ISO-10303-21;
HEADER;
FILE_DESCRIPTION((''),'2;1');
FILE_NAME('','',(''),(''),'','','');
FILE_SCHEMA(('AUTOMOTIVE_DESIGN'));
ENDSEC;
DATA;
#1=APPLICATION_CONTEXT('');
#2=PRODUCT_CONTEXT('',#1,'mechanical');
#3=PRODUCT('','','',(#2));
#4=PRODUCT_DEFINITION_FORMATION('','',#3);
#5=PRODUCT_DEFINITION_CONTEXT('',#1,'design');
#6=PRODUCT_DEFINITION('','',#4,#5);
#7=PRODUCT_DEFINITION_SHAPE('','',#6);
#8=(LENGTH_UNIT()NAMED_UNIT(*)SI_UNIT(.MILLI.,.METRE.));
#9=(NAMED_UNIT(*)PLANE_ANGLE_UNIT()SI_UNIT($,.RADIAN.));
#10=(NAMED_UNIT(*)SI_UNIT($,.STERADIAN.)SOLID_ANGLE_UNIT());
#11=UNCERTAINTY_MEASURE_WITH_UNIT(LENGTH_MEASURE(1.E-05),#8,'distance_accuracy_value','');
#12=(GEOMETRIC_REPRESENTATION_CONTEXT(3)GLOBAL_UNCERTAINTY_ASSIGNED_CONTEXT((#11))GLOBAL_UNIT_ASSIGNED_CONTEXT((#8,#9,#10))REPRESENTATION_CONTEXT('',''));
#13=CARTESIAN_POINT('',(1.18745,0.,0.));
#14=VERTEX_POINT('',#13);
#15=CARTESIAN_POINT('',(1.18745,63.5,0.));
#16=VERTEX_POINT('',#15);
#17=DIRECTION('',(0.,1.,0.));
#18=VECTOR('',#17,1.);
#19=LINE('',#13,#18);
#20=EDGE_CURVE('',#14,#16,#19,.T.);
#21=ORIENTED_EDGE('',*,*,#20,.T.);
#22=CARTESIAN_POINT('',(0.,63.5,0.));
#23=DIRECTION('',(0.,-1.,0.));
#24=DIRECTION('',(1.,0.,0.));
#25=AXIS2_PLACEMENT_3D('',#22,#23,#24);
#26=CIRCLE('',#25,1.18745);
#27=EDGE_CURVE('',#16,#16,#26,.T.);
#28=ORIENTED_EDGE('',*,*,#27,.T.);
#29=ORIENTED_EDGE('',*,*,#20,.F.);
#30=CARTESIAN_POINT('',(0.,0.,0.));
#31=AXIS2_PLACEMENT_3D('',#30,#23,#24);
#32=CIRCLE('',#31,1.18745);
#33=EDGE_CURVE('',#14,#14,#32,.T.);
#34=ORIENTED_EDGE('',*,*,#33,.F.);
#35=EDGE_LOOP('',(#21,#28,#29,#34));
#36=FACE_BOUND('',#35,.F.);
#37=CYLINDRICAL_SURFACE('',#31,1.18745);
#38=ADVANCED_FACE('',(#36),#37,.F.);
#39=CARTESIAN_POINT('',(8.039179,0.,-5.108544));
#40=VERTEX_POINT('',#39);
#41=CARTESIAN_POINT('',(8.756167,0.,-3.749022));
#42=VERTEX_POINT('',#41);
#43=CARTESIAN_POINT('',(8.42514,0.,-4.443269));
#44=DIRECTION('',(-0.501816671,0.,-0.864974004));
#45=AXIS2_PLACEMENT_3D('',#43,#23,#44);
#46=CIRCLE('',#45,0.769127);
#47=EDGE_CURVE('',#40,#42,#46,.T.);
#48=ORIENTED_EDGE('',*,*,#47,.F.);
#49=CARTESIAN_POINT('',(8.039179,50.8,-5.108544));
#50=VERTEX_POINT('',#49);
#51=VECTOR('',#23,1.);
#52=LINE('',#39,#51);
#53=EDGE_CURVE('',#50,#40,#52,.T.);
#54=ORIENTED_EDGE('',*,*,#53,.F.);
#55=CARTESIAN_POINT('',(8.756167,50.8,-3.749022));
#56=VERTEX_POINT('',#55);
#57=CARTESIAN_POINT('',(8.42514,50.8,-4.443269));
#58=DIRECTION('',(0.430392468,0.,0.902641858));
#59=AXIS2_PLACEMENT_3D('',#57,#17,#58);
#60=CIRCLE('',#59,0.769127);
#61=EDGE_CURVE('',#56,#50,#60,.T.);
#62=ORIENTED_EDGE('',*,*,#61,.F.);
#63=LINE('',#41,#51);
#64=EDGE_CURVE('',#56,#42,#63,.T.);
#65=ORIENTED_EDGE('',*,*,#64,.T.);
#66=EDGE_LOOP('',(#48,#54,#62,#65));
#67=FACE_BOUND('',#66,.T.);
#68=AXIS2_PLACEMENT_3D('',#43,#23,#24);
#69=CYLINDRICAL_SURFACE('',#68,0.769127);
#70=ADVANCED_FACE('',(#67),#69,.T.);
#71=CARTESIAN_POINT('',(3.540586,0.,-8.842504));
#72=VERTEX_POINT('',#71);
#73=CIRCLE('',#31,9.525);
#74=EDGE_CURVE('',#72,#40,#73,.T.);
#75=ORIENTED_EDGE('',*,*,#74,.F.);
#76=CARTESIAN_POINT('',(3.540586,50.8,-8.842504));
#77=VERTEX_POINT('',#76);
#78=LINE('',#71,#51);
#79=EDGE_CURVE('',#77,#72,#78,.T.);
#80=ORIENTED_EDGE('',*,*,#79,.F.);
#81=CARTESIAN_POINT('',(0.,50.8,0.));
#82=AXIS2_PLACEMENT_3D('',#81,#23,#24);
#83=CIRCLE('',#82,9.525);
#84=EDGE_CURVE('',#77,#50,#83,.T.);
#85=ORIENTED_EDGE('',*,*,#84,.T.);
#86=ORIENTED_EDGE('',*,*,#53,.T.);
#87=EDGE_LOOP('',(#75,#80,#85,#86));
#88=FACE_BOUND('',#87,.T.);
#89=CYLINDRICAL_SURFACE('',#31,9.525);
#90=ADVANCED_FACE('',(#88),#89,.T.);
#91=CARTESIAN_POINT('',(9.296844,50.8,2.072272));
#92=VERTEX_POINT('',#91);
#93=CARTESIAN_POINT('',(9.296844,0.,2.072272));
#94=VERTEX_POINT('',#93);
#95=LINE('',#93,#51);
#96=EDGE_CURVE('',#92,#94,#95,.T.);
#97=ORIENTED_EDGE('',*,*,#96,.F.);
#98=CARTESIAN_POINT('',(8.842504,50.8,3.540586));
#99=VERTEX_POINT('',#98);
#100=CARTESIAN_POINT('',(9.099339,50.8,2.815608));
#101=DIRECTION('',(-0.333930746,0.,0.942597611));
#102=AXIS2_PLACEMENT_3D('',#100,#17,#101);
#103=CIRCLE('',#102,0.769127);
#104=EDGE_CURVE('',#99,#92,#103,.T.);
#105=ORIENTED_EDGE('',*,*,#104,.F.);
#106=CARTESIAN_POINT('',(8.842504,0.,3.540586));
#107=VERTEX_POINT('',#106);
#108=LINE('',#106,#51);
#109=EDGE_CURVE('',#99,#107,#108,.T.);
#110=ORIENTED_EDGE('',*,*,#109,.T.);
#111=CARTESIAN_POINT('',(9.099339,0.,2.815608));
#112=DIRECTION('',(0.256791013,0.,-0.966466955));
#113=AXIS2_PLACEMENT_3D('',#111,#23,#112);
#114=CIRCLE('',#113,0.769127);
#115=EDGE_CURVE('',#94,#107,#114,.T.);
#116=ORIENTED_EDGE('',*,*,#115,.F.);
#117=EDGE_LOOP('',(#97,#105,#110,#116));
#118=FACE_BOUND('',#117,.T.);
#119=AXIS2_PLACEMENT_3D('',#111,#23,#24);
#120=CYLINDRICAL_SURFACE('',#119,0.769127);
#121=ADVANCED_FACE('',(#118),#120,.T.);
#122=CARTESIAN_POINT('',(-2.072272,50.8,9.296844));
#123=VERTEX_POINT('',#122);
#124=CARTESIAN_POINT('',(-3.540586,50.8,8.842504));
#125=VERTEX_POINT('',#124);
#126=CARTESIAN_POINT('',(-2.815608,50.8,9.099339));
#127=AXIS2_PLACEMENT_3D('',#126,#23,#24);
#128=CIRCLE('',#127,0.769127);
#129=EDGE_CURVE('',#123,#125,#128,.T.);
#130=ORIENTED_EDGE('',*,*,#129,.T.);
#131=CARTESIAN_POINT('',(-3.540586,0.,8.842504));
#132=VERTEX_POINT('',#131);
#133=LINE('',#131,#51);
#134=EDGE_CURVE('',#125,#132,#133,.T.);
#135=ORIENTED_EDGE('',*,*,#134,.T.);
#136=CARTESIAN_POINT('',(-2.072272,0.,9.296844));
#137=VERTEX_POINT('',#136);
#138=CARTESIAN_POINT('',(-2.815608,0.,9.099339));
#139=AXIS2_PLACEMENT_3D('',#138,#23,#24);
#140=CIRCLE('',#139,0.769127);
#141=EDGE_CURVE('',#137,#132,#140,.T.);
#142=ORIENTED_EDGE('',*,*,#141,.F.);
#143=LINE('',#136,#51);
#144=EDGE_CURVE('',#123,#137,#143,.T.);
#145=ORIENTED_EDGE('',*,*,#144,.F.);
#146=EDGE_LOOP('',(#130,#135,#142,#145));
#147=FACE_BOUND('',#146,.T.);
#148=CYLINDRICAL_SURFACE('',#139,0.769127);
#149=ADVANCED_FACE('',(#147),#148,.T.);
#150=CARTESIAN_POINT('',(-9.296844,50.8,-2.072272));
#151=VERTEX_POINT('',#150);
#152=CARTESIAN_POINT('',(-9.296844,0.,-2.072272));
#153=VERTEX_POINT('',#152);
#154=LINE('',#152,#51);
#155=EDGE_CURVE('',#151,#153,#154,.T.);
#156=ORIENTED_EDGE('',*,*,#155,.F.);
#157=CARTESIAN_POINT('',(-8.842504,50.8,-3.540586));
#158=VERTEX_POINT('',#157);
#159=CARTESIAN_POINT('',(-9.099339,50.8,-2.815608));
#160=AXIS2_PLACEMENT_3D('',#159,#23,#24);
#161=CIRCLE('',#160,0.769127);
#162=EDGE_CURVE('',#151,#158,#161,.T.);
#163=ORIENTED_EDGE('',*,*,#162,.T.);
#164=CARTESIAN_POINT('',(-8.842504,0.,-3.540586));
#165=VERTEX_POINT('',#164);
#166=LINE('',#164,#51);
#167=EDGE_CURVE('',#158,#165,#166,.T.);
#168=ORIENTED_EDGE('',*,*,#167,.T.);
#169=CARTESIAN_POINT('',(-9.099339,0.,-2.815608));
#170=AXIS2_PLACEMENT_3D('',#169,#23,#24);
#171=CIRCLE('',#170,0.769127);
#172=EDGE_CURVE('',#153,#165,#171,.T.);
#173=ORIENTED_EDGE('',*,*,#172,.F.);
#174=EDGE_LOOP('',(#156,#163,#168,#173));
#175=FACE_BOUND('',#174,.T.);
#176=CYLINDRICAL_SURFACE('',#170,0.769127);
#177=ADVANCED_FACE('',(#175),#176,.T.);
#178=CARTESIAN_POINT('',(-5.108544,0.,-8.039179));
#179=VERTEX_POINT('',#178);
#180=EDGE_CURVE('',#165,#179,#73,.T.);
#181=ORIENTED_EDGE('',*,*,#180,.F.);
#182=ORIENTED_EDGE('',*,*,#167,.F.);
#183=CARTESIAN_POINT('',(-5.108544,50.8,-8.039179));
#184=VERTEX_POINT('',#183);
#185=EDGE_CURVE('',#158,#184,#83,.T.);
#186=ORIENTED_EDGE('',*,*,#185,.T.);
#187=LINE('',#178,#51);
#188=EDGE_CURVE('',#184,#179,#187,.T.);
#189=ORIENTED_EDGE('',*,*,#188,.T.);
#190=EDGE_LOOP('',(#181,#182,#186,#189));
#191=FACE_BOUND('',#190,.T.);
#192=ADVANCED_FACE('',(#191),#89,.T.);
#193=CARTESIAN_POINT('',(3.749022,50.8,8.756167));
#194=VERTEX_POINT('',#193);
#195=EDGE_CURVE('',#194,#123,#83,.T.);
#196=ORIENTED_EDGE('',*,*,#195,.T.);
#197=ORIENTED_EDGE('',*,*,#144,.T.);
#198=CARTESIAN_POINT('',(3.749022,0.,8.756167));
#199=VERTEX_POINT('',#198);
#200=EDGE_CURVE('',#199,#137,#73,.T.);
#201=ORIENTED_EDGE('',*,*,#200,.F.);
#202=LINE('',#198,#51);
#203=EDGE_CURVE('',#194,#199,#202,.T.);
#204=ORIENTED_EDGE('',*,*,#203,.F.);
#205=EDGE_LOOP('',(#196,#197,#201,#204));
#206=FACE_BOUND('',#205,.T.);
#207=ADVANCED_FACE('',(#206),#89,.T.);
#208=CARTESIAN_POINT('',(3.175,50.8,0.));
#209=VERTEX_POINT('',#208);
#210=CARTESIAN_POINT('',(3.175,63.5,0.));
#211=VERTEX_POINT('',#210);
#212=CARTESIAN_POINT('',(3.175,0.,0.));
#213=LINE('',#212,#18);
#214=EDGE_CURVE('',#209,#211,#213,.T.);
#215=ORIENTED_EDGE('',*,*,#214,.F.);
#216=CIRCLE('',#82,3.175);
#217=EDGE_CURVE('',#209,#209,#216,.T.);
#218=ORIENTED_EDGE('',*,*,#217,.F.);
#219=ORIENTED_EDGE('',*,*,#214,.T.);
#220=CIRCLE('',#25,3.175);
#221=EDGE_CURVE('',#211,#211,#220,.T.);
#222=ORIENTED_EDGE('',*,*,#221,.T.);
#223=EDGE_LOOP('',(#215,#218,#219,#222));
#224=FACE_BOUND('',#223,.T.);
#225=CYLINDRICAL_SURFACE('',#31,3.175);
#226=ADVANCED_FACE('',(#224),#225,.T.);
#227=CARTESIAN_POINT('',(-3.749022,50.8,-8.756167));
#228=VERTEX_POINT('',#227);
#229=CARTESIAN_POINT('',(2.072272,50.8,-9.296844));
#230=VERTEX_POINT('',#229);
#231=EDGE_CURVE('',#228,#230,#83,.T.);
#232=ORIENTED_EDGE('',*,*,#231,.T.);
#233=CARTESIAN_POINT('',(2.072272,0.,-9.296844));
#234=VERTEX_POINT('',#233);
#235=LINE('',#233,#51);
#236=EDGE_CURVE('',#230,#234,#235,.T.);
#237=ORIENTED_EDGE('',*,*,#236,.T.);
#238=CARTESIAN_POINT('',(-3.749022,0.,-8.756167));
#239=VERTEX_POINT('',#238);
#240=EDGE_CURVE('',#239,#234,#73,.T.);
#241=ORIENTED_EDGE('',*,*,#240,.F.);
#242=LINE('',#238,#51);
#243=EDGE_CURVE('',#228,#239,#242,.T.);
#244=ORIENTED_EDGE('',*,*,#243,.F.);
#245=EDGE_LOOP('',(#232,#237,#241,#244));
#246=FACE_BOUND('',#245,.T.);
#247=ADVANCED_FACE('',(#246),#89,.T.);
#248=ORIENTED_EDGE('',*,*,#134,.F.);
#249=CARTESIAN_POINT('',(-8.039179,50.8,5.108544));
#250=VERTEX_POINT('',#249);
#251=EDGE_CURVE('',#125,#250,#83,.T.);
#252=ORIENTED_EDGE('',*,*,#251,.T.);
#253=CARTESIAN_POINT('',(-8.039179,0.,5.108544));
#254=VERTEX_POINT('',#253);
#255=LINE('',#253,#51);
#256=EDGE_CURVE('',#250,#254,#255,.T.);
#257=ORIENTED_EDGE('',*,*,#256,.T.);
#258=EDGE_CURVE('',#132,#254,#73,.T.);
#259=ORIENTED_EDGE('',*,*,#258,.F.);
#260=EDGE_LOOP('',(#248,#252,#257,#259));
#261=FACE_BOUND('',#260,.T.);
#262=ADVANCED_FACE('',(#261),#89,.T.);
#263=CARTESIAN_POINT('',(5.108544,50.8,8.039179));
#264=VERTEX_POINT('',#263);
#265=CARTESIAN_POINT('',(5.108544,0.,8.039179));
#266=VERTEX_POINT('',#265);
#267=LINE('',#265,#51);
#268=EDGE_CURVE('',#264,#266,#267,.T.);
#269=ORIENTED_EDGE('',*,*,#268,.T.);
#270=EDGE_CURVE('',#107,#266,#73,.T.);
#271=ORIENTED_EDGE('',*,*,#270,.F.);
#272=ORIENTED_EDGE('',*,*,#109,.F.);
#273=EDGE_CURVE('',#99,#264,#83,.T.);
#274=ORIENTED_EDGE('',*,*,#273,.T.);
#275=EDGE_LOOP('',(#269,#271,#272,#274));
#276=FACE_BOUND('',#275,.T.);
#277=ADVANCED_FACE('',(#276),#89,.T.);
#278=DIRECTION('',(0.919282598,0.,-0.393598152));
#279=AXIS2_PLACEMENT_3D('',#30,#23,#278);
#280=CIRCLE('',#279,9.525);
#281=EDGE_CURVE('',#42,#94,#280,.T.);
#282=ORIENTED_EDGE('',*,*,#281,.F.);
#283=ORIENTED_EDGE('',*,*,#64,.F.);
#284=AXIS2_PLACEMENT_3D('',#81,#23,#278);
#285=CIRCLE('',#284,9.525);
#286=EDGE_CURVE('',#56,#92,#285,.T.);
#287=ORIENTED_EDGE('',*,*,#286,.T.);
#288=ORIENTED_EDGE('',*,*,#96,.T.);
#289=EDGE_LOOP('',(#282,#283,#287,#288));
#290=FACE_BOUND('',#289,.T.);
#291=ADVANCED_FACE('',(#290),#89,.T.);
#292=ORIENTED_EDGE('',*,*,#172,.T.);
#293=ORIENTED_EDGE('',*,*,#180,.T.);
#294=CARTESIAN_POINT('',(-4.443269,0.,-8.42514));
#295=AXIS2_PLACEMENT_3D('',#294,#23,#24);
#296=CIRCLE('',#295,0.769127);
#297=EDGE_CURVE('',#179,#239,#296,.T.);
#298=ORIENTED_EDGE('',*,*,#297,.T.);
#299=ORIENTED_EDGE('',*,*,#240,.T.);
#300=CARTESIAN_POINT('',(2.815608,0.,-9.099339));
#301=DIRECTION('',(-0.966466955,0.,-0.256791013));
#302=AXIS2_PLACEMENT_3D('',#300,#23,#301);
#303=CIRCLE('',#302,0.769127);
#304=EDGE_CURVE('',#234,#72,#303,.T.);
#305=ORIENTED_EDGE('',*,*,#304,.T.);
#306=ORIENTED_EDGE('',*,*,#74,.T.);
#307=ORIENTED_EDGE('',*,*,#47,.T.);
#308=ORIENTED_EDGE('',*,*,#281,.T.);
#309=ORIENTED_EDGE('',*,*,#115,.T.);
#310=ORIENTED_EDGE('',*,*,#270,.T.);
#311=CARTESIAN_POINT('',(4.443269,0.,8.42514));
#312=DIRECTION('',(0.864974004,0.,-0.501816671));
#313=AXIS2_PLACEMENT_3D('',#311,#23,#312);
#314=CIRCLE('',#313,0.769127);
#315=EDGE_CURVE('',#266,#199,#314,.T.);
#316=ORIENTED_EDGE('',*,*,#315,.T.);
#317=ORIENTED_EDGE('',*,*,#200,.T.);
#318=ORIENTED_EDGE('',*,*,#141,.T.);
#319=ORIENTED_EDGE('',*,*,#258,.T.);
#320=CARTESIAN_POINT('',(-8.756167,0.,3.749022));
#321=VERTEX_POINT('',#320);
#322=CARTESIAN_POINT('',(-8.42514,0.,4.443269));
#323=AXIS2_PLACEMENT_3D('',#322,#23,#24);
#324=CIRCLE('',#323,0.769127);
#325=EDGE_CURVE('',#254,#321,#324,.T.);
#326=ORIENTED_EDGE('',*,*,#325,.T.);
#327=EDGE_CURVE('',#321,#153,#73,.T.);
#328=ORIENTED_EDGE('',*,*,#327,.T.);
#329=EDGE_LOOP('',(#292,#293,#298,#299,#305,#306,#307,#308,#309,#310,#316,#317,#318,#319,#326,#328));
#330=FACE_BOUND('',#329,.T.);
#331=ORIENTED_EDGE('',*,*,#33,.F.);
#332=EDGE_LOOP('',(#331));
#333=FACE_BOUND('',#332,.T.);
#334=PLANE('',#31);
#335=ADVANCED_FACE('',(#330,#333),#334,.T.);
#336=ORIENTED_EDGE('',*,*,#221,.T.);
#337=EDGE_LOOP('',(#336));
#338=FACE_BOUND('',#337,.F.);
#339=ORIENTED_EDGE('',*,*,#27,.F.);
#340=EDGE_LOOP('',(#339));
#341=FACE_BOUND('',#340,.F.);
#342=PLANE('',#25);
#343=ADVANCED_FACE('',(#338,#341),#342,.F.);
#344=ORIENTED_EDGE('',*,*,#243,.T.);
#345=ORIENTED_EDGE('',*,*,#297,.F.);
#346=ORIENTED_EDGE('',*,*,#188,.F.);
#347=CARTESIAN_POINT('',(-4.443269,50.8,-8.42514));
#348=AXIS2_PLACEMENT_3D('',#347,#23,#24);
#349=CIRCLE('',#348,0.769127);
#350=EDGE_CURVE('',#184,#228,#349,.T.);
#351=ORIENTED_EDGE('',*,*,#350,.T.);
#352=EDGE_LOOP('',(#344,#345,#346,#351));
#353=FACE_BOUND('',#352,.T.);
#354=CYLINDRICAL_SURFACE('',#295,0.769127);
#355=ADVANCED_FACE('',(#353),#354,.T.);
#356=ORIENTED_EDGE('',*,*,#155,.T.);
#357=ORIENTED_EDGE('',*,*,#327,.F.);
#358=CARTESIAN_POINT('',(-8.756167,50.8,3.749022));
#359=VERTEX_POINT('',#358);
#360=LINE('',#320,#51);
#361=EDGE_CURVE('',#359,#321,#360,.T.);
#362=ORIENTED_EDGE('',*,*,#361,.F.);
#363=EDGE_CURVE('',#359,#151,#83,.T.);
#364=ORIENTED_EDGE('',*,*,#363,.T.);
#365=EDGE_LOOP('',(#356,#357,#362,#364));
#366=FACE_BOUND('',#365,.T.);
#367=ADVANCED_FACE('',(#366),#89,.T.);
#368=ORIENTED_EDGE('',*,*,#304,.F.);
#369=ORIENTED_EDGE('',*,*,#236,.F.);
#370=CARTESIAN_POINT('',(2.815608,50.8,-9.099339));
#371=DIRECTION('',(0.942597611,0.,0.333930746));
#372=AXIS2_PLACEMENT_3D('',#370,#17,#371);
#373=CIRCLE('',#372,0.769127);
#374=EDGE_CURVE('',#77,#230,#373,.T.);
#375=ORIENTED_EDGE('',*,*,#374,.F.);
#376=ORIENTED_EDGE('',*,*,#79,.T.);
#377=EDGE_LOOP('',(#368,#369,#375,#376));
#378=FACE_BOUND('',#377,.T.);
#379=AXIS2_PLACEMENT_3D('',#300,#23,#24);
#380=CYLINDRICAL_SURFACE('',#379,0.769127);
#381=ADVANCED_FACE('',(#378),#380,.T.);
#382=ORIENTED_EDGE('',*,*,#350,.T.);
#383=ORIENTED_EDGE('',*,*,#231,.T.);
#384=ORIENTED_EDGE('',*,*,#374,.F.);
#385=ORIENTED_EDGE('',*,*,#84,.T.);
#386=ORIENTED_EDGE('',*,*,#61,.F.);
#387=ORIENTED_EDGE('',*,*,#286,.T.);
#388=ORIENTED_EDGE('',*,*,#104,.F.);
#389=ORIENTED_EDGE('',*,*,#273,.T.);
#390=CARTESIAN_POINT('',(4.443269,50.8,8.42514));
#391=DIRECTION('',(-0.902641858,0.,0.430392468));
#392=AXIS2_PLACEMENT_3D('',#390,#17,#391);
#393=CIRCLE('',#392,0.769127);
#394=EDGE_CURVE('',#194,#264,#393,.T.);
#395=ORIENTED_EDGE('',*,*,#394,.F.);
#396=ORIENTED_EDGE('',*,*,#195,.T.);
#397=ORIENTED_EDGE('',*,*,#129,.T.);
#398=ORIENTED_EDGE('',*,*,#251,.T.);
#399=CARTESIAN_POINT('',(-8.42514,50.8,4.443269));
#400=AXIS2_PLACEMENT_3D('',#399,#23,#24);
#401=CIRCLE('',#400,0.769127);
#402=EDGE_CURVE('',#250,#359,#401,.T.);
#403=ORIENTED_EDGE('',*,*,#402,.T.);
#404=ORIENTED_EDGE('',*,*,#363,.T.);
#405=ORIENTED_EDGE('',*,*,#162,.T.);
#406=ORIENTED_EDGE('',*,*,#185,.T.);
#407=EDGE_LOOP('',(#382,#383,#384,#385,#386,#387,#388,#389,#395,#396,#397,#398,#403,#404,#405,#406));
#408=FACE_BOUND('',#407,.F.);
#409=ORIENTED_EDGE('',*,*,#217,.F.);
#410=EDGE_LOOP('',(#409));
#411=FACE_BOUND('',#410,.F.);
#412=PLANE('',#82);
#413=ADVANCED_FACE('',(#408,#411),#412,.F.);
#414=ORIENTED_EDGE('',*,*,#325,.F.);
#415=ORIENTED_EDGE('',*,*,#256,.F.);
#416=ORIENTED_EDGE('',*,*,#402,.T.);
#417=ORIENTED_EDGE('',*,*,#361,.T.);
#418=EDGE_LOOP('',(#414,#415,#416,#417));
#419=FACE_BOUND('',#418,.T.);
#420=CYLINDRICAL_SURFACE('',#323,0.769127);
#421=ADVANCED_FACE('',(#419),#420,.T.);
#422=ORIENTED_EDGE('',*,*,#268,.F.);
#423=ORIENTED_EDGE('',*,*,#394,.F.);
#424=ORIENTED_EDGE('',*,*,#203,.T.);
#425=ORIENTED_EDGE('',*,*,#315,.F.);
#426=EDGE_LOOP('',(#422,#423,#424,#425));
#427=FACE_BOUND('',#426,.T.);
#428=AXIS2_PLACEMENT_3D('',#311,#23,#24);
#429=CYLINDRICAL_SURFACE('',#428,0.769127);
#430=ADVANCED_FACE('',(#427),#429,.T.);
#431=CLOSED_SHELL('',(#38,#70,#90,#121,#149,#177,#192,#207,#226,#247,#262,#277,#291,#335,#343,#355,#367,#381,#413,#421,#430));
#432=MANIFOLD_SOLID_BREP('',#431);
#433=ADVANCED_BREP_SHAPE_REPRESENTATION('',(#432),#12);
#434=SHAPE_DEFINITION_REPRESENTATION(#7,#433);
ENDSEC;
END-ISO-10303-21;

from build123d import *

# Parameters (mm, degrees)
F4_R      = 9.525
F6_DEPTH  = 50.8
F5_R      = 0.7691273294
F7_DEPTH  = 50.8
F8_R      = 0.51181
F10_DEPTH = 9.525
F9_R      = 3.175
F11_DEPTH = 63.5
F12_R     = 1.18745
F13_DEPTH = 69.85


with BuildPart() as f6:
    # F4 (on Front) → F6 (new body)
    with BuildSketch(Plane.XZ):
        Circle(F4_R)
    extrude(amount=-F6_DEPTH)

    # F5 (on Front) → F7 (join)
    with BuildSketch(Plane.XZ):
        with Locations((-2.815608135, 9.0993393073)):
            Circle(F5_R)
        with Locations((4.4432689231, 8.4251401339)):
            Circle(F5_R)
        with Locations((9.0993393073, 2.815608135)):
            Circle(F5_R)
        with Locations((8.4251401339, -4.4432689231)):
            Circle(F5_R)
        with Locations((2.815608135, -9.0993393073)):
            Circle(F5_R)
        with Locations((-4.4432689231, -8.4251401339)):
            Circle(F5_R)
        with Locations((-9.0993393073, -2.815608135)):
            Circle(F5_R)
        with Locations((-8.4251401339, 4.4432689231)):
            Circle(F5_R)
    extrude(amount=-F7_DEPTH)

    # F8 (on Front) → F10 (cut)
    with BuildSketch(Plane.XZ):
        Circle(F8_R)
    extrude(amount=-F10_DEPTH, mode=Mode.SUBTRACT)

    # F9 (on Front) → F11 (join)
    with BuildSketch(Plane.XZ):
        Circle(F9_R)
    extrude(amount=-F11_DEPTH)

    # F12 (on Front) → F13 (cut)
    with BuildSketch(Plane.XZ):
        Circle(F12_R)
    extrude(amount=-F13_DEPTH, mode=Mode.SUBTRACT)


solid = f6.part
